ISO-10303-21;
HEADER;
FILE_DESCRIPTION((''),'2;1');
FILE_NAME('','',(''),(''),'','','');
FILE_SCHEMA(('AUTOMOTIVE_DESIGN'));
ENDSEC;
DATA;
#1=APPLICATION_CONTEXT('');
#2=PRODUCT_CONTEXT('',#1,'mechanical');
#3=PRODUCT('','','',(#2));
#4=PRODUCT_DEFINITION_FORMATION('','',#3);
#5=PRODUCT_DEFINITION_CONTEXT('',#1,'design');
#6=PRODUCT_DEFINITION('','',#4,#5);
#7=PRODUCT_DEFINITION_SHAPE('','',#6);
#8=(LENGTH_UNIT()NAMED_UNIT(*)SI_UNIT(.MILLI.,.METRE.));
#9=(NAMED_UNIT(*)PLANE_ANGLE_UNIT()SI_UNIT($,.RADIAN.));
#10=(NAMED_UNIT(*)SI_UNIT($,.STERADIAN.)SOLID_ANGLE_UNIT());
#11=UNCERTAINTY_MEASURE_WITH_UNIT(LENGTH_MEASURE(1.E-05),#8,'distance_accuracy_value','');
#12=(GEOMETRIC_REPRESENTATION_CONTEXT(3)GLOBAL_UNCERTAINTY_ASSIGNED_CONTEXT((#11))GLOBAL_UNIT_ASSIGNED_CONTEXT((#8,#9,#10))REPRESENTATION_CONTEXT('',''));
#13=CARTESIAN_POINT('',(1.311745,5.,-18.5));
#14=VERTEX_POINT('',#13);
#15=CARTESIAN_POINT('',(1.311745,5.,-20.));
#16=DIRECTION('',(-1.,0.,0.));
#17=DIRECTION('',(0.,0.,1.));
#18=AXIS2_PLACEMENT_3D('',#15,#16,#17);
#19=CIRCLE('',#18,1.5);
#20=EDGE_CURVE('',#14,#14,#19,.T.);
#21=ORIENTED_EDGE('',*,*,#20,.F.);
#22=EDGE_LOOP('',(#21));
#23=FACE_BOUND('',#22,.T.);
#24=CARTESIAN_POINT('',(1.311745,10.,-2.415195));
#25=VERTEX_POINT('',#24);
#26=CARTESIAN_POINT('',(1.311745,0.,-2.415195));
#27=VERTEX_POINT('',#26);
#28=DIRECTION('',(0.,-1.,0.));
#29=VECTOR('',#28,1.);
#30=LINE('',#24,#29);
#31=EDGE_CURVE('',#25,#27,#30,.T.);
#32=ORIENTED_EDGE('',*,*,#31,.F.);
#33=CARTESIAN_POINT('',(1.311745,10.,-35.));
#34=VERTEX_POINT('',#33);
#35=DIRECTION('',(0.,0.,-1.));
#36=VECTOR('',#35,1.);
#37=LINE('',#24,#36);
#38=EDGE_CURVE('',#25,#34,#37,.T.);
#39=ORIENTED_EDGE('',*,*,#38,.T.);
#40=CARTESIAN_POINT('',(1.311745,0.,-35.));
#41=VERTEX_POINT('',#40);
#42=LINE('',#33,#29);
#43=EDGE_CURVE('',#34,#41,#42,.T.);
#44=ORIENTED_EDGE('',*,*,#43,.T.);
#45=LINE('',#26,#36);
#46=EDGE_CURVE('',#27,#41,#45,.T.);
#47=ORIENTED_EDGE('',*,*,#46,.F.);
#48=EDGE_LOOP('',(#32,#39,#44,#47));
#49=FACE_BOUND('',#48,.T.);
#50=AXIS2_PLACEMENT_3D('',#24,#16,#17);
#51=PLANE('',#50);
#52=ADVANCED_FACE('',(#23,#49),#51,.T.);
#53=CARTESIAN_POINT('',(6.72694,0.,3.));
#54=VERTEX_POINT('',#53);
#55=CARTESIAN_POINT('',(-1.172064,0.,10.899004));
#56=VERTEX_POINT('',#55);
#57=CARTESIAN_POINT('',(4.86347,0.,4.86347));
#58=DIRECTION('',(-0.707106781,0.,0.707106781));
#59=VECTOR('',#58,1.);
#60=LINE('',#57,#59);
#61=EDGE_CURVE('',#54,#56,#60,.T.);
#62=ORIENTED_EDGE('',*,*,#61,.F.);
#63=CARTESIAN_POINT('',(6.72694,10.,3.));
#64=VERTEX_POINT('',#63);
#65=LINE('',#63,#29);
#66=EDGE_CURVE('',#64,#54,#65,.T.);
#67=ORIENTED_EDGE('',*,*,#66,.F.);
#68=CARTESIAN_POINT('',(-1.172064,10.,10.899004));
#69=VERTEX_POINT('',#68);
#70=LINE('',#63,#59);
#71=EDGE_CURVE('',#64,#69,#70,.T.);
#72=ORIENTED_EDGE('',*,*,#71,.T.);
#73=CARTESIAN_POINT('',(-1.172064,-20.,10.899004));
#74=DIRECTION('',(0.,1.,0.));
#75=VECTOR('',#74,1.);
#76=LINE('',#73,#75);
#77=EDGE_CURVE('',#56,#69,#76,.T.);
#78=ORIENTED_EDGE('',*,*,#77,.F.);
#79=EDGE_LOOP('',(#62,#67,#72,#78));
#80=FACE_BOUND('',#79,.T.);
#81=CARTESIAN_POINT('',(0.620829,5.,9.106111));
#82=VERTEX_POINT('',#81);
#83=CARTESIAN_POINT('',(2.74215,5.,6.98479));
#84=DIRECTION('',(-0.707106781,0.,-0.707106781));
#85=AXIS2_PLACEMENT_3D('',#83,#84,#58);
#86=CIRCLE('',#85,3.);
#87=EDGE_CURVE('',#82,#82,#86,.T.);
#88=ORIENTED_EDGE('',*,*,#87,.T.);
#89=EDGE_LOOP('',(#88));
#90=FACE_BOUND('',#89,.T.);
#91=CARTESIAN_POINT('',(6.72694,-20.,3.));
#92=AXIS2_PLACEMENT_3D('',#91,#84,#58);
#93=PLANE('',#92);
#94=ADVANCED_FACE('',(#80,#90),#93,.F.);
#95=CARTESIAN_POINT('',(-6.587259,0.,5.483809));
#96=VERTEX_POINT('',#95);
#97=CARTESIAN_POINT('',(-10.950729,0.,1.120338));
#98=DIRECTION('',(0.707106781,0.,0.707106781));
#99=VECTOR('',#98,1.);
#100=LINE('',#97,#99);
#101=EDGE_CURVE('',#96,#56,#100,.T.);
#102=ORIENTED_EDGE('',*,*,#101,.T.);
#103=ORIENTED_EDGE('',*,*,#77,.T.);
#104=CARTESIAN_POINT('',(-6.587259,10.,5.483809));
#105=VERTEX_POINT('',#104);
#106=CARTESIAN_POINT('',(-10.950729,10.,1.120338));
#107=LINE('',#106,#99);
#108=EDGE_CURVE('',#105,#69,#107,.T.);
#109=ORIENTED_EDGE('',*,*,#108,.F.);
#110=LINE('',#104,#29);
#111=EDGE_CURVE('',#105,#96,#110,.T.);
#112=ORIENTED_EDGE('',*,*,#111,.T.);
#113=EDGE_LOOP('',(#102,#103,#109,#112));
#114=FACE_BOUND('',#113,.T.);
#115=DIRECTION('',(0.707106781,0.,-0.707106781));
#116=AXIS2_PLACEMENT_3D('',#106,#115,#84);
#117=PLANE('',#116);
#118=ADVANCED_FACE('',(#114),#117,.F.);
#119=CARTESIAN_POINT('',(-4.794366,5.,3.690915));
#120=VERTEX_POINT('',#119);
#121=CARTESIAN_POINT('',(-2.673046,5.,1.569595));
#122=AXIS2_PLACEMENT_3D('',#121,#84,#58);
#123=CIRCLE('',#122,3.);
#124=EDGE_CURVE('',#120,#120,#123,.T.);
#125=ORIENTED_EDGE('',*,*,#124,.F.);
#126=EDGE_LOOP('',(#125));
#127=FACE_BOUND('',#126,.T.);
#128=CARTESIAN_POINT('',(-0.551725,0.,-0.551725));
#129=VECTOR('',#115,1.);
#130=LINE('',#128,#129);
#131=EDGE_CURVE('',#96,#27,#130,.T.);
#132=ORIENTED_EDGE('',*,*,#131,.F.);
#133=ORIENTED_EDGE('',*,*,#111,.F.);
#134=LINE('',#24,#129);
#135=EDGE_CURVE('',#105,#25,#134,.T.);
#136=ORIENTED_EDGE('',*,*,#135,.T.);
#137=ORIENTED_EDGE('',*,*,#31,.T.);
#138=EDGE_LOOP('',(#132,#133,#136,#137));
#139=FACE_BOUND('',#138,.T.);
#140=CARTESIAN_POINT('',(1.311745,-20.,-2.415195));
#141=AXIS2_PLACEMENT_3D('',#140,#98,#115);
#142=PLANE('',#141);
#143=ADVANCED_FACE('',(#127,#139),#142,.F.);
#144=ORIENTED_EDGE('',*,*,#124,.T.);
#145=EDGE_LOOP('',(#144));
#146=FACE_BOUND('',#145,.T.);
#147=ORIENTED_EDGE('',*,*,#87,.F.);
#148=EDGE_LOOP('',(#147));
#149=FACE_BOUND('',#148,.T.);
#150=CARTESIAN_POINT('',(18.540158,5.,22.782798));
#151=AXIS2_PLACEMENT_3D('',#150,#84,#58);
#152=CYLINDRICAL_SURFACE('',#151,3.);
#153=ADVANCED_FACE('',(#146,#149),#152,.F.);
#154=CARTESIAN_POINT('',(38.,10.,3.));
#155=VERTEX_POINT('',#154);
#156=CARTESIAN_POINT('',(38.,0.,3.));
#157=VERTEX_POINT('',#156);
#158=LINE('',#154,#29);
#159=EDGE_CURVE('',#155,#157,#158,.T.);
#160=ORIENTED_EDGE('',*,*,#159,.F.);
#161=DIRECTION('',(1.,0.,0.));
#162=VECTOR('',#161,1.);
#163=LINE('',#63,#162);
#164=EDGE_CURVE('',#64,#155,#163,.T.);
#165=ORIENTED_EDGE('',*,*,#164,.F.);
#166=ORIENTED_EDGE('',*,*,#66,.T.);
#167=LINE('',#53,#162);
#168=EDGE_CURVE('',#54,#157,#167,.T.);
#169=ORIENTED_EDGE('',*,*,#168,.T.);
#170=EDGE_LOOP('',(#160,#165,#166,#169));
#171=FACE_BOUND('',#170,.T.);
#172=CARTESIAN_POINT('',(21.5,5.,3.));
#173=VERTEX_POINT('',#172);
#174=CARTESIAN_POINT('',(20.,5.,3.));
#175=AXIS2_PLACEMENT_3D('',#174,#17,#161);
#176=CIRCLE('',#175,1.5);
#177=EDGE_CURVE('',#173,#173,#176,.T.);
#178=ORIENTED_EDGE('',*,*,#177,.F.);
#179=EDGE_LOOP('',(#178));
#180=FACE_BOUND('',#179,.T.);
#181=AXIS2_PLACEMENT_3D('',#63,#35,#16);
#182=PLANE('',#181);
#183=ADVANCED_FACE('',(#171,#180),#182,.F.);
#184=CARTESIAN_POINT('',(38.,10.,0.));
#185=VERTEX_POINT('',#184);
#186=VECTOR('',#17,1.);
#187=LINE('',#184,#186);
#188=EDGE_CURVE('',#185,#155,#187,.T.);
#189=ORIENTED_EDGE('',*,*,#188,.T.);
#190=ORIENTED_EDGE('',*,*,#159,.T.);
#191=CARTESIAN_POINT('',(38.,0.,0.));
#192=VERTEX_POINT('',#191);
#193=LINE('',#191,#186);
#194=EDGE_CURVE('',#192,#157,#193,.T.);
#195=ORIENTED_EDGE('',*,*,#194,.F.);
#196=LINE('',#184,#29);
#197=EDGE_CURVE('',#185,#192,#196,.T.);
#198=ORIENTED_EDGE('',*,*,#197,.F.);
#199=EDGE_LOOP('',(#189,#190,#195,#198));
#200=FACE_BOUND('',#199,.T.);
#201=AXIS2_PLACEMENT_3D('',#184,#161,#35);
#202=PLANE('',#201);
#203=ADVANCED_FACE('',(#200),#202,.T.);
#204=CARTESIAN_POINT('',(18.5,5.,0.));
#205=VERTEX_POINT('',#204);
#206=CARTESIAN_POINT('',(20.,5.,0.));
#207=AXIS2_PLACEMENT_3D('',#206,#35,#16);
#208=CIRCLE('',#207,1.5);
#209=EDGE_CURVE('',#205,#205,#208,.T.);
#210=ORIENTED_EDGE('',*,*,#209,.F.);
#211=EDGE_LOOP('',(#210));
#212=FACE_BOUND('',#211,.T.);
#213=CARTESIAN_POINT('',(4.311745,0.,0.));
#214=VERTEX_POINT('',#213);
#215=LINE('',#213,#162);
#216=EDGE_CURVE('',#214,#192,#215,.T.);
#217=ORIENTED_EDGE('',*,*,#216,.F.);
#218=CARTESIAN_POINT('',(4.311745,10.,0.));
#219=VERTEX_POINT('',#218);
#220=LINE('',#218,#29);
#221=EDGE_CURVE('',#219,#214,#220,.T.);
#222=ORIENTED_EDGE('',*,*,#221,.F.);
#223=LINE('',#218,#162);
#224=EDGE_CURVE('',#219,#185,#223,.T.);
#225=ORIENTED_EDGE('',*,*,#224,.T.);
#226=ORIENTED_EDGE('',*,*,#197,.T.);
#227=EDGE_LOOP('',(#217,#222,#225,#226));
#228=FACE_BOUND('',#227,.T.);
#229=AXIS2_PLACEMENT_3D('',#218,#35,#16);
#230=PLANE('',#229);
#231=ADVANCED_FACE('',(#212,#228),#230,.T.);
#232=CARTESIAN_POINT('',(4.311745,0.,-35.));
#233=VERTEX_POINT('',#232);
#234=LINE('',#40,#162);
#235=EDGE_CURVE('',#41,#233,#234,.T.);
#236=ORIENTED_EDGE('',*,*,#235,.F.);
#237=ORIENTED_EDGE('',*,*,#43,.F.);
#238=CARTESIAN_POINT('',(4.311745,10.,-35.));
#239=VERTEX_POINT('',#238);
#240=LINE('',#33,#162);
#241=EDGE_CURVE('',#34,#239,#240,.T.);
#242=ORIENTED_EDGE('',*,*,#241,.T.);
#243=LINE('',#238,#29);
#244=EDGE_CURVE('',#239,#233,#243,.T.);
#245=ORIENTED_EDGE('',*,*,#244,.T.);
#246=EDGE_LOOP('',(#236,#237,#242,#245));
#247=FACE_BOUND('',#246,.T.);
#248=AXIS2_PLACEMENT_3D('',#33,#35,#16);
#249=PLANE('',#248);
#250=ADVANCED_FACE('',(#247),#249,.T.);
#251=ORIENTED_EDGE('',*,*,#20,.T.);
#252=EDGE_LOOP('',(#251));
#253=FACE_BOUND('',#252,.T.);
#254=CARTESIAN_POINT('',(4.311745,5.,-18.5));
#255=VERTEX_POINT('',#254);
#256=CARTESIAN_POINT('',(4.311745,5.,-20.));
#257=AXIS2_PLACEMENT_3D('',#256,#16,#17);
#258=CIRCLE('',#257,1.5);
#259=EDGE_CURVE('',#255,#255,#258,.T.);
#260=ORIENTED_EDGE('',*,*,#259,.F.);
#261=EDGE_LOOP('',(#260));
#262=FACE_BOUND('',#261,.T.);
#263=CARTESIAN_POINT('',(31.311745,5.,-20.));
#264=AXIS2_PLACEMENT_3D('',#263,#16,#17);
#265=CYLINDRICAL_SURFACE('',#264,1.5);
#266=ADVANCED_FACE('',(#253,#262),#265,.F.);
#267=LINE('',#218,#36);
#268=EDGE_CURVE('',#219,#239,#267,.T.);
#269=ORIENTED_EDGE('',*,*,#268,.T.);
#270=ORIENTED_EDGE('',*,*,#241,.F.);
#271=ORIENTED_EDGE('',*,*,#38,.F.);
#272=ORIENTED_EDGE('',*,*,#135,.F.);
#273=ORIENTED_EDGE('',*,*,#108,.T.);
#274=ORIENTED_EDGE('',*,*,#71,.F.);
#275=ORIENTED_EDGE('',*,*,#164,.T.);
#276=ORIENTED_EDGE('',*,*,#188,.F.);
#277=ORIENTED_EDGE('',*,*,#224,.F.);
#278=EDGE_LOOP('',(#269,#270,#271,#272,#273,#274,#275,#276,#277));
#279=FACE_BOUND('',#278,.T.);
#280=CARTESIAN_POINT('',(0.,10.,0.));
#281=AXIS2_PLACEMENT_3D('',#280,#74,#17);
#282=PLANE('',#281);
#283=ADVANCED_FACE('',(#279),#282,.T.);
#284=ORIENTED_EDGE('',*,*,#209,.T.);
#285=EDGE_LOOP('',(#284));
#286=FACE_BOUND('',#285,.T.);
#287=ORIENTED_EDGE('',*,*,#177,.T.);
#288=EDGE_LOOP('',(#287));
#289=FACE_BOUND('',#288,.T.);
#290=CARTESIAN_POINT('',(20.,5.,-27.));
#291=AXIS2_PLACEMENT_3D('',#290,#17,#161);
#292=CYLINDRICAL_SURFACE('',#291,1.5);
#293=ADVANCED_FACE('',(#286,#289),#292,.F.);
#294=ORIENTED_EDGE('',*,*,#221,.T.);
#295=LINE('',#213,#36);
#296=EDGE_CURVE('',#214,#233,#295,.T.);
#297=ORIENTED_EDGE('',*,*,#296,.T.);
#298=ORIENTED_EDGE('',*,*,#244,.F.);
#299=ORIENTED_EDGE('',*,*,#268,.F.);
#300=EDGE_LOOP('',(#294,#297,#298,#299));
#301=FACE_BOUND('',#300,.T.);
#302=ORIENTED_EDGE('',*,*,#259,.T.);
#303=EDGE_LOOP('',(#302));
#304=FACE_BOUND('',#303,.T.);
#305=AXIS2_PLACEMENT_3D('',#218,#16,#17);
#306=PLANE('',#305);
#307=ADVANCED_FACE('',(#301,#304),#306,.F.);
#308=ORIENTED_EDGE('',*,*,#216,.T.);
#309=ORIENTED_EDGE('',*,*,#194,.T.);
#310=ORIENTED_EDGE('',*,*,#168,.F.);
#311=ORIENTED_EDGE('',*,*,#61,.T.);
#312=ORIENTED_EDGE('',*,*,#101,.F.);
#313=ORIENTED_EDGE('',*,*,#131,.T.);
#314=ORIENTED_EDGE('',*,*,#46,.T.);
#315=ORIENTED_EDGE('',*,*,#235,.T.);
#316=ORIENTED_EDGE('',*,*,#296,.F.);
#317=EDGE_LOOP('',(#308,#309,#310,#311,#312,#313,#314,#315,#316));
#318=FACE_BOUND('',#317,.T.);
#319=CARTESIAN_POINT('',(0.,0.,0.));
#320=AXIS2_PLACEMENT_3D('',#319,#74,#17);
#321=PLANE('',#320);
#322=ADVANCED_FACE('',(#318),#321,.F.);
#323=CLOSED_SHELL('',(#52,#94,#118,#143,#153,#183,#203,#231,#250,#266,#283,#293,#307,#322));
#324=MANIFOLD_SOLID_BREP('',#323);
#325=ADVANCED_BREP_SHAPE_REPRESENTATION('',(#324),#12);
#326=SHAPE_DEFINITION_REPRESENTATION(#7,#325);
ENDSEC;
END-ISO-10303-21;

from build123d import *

# Parameters (mm, degrees)
BOSS_EXTRUDE1_DEPTH = 10
SKETCH3_R           = 1.5
CUT_EXTRUDE1_DEPTH  = 30
SKETCH4_R           = 1.5
CUT_EXTRUDE2_DEPTH  = 30
CUT_EXTRUDE5_DEPTH  = 30
SKETCH9_R           = 3
CUT_EXTRUDE6_DEPTH  = 30


with BuildPart() as part:
    # Sketch1 → Boss-Extrude1 (new body)
    with BuildSketch(Plane(origin=(0, 0, 0), x_dir=(1, 0, 0), z_dir=(0, 1, 0))):
        Polygon((1.311744675, 2.415195475), (1.311744675, 35), (4.311744675, 35), (4.311744675, 0), (38, 0), (38, -3), (6.726940148, -3), (6.726940148, -11.726940148), (3.191406243, -15.262474054), (-10.950729381, -1.120338431), (-7.415195475, 2.415195475), align=None)
    extrude(amount=BOSS_EXTRUDE1_DEPTH)

    # Sketch3 → Cut-Extrude1 (cut)
    with BuildSketch(Plane.XY.offset(3)):
        with Locations((20, 5)):
            Circle(SKETCH3_R)
    extrude(amount=-CUT_EXTRUDE1_DEPTH, mode=Mode.SUBTRACT)

    # Sketch4 → Cut-Extrude2 (cut)
    with BuildSketch(Plane.ZY.offset(-1.311744675)):
        with Locations((-20, 5)):
            Circle(SKETCH4_R)
    extrude(amount=-CUT_EXTRUDE2_DEPTH, mode=Mode.SUBTRACT)

    # Sketch8 → Cut-Extrude5 (cut)
    with BuildSketch(Plane(origin=(0, 10, 0), x_dir=(1, 0, 0), z_dir=(0, 1, 0))):
        Polygon((1.311744675, 2.415195475), (-7.06515363, -5.961702829), (-14.174938383, 1.148081923), (-5.798040078, 9.524980228), align=None)
        Polygon((6.726940148, -3), (-1.172063832, -10.89900398), (4.537107227, -16.608175039), (12.436111207, -8.709171058), align=None)
    extrude(amount=-CUT_EXTRUDE5_DEPTH, mode=Mode.SUBTRACT)

    # Sketch9 → Cut-Extrude6 (cut)
    with BuildSketch(Plane(origin=(-0.5517254, 0, -0.5517254), x_dir=(-0.7071067811865474, 0, 0.7071067811865477), z_dir=(-0.7071067811865477, 0, -0.7071067811865474))):
        with Locations((3, 5)):
            Circle(SKETCH9_R)
    extrude(amount=-CUT_EXTRUDE6_DEPTH, mode=Mode.SUBTRACT)


solid = part.part
